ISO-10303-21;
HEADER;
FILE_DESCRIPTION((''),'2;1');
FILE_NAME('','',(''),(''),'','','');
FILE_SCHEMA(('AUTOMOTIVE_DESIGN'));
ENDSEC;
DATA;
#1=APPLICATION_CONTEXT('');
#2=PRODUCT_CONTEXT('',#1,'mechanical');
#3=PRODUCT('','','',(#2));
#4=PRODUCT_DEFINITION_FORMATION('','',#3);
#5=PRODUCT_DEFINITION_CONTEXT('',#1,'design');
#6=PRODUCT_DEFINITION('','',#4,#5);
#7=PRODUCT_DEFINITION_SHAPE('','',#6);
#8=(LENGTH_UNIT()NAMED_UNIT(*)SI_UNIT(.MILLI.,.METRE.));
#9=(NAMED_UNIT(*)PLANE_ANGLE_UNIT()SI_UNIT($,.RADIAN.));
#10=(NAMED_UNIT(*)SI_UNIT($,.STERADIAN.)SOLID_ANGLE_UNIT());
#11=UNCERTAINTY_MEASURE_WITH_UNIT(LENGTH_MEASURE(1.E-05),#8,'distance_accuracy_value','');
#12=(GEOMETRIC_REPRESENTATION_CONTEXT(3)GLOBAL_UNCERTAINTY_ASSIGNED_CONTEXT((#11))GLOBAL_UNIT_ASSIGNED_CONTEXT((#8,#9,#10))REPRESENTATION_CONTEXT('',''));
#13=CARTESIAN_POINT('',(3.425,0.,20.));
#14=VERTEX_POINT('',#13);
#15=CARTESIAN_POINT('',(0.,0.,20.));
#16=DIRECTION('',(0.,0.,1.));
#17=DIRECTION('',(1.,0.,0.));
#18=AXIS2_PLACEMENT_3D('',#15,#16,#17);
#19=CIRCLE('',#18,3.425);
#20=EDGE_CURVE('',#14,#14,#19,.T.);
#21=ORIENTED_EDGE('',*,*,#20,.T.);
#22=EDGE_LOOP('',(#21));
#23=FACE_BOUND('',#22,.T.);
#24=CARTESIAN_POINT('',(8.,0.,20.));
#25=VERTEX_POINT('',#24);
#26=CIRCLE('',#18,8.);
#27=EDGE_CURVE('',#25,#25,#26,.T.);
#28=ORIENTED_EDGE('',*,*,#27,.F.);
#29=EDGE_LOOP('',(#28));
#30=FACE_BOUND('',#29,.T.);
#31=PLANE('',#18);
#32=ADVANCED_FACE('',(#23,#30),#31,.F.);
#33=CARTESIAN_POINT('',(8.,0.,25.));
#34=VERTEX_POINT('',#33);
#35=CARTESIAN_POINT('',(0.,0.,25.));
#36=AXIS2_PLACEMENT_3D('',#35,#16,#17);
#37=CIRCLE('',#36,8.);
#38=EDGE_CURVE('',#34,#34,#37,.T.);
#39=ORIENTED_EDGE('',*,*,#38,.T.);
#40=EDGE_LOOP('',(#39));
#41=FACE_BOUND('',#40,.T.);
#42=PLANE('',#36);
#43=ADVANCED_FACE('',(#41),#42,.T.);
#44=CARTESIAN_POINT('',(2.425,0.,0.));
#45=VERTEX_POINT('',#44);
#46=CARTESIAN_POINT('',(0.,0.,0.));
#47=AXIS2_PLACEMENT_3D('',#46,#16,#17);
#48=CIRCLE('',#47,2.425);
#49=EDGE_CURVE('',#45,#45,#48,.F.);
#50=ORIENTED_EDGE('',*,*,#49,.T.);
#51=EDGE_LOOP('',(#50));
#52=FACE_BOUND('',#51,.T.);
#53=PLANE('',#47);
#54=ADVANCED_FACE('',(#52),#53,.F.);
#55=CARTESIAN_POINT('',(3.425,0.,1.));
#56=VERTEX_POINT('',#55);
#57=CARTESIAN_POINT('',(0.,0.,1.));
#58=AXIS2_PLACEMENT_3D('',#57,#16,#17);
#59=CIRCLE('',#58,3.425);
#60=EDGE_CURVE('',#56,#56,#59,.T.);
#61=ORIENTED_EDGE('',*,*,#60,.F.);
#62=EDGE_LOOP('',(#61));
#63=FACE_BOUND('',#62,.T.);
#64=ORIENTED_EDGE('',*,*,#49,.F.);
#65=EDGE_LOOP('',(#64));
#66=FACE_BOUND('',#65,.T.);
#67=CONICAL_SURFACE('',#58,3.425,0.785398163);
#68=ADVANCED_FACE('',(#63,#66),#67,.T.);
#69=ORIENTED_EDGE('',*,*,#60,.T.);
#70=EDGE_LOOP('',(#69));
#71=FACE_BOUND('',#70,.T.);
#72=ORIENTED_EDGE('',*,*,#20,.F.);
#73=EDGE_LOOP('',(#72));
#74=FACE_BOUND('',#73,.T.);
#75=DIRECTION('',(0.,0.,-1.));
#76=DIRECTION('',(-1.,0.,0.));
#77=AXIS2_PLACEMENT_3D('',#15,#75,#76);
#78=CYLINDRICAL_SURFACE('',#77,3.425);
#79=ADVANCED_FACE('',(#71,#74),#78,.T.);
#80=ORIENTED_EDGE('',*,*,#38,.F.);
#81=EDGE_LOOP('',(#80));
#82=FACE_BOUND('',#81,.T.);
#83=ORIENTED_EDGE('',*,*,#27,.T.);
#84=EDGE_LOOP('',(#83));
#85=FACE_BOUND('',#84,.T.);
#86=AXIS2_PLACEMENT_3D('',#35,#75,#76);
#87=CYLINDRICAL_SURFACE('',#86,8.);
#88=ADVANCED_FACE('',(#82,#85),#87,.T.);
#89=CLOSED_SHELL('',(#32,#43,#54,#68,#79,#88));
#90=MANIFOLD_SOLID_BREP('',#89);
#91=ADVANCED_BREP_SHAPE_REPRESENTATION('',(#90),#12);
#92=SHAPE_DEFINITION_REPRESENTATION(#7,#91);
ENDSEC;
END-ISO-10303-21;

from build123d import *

# Parameters (mm, degrees)
SKETCH1_R           = 3.425
BOSS_EXTRUDE1_DEPTH = 20
SKETCH2_R           = 8
BOSS_EXTRUDE3_DEPTH = 5
CHAMFER1_SIZE       = 1


with BuildPart() as part:
    # Sketch1 → Boss-Extrude1 (new body)
    with BuildSketch(Plane.XY):
        Circle(SKETCH1_R)
    extrude(amount=BOSS_EXTRUDE1_DEPTH)

    # Sketch2 → Boss-Extrude3 (add)
    with BuildSketch(Plane.XY.offset(20)):
        Circle(SKETCH2_R)
    extrude(amount=BOSS_EXTRUDE3_DEPTH)

    # Chamfer1
    chamfer1_edges = [part.edges().sort_by_distance(p)[0] for p in [
        (-3.425, 0, 0),
    ]]
    chamfer(chamfer1_edges, length=CHAMFER1_SIZE)


solid = part.part
